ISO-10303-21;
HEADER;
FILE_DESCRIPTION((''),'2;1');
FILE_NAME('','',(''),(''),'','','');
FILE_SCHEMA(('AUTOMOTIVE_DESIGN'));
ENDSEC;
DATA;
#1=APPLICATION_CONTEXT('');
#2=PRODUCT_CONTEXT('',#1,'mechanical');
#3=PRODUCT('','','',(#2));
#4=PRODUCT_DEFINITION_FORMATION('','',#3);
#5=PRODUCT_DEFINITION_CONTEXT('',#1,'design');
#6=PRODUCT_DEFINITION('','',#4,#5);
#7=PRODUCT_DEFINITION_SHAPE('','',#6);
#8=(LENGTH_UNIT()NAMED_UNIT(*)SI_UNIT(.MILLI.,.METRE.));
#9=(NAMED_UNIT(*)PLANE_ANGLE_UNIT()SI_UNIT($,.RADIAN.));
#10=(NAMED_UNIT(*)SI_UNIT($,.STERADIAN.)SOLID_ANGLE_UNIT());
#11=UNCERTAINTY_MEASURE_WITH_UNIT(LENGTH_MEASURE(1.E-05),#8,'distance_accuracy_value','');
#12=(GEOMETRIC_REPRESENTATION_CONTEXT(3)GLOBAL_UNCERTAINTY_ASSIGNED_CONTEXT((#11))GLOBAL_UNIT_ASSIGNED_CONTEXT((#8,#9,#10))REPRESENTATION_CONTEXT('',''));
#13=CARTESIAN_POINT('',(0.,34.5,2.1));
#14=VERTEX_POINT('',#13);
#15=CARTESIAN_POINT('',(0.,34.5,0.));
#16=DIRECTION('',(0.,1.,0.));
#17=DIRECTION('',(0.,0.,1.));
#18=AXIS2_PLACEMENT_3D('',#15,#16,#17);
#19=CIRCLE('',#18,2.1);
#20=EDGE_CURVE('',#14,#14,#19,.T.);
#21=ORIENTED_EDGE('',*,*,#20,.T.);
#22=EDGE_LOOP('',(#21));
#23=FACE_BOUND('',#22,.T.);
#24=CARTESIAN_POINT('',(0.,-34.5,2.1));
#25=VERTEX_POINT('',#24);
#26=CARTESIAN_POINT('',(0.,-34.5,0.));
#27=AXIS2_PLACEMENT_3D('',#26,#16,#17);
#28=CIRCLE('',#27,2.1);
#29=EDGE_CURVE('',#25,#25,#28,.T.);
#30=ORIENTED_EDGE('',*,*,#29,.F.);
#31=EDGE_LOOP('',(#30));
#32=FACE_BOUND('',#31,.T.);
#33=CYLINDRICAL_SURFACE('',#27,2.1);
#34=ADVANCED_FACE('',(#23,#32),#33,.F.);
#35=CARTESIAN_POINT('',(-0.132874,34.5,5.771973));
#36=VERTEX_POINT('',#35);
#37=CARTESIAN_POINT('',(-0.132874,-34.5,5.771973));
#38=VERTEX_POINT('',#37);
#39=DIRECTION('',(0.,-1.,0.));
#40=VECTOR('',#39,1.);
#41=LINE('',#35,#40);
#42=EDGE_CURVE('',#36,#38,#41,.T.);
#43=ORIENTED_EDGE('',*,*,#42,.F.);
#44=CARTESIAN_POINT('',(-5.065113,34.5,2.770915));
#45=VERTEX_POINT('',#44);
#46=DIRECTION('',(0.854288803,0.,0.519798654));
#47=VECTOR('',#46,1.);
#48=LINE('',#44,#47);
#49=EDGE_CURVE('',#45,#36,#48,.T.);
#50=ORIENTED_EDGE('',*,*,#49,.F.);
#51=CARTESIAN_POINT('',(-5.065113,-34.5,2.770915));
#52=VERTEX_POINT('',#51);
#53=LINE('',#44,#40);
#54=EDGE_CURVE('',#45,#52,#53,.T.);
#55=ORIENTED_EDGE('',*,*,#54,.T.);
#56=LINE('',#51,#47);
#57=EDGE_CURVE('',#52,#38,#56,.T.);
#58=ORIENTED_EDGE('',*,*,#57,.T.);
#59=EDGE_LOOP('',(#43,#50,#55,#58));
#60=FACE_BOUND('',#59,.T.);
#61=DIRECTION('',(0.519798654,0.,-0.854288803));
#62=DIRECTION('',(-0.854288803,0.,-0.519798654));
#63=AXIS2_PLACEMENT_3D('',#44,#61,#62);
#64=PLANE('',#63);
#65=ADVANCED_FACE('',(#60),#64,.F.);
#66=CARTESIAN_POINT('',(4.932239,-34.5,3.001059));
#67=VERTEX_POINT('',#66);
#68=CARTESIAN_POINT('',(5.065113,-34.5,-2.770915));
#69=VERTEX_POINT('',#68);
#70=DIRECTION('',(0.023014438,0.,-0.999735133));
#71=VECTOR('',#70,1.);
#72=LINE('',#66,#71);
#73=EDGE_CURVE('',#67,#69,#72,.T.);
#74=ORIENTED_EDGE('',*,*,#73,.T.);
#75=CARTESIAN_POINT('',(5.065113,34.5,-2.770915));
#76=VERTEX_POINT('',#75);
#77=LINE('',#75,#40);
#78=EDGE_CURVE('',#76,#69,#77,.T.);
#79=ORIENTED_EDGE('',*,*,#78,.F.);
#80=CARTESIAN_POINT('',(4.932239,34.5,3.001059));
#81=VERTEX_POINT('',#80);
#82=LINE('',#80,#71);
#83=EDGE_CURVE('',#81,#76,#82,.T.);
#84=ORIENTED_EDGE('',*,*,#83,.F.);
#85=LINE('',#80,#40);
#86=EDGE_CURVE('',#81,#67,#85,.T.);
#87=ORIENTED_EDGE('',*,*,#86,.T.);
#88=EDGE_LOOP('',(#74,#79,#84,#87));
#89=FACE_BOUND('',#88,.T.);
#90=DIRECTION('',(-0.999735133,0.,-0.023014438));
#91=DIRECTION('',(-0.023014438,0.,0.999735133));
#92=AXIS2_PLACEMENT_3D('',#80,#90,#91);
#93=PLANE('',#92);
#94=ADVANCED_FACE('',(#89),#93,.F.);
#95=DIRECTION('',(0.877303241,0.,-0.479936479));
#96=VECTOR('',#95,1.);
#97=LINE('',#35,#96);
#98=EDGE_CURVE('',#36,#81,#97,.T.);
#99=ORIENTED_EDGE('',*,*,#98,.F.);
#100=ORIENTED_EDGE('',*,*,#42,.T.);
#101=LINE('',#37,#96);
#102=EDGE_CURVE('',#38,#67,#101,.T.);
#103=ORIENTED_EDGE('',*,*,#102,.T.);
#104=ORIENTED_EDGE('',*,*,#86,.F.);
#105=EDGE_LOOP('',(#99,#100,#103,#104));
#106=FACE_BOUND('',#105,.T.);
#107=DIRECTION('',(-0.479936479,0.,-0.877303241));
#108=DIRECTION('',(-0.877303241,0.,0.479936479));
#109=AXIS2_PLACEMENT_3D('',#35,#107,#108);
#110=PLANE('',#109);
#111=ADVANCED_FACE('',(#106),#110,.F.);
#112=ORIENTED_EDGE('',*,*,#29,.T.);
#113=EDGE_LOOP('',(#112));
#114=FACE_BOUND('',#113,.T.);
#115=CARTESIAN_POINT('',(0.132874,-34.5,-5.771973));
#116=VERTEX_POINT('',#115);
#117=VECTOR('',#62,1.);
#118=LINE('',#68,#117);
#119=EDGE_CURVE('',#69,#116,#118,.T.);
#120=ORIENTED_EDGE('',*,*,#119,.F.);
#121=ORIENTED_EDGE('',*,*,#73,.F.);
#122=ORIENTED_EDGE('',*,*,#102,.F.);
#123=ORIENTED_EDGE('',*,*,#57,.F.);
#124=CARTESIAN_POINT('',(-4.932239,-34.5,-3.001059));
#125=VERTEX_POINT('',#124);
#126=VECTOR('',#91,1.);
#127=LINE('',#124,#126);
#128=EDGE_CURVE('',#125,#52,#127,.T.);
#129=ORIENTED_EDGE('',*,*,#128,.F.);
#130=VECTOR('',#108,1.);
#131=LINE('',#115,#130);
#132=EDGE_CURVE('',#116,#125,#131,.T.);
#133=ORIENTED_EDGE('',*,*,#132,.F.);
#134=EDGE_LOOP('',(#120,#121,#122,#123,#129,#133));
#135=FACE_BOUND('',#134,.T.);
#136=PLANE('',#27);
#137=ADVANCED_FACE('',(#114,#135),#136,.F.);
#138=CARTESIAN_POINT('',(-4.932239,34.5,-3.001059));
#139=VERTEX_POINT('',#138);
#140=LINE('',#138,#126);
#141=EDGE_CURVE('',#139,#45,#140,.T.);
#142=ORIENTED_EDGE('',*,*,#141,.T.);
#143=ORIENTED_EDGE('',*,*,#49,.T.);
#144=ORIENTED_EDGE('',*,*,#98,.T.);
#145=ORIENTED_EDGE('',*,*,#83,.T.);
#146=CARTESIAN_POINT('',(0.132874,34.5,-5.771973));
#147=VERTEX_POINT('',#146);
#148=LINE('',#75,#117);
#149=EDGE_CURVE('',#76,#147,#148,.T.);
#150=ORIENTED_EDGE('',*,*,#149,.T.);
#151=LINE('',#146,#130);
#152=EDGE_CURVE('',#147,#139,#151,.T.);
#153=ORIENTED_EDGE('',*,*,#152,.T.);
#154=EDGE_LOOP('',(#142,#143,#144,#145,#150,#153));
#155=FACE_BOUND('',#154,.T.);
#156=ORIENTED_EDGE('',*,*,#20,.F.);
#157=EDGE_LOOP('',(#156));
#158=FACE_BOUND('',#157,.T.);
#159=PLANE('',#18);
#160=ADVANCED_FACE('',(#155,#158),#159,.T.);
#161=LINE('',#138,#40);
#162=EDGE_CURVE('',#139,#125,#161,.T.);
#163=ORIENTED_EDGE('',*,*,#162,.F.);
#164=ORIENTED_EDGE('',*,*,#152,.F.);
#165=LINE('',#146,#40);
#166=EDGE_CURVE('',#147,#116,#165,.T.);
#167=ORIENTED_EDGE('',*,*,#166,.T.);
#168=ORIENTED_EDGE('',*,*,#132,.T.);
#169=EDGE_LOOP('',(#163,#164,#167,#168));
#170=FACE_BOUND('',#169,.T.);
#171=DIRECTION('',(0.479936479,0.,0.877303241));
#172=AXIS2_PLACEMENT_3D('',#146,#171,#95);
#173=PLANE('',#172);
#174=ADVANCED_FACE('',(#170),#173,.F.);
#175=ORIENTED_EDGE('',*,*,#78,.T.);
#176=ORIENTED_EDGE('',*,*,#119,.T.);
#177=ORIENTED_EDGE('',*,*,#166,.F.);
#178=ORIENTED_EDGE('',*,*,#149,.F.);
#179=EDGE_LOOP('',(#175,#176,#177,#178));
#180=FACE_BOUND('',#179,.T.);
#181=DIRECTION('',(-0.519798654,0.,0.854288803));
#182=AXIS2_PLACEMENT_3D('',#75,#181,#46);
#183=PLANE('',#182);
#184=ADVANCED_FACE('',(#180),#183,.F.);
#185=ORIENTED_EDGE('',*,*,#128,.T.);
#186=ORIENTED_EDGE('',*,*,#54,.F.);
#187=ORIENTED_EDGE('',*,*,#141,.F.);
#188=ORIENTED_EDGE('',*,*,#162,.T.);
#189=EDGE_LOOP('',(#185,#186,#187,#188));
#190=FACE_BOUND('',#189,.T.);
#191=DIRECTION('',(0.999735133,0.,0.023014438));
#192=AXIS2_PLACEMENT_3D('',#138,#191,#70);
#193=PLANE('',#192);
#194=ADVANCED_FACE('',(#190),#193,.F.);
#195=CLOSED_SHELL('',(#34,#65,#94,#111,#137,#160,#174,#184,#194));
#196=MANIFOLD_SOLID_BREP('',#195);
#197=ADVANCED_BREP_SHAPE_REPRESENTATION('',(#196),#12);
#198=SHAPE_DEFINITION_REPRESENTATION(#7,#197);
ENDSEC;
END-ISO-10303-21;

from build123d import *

# Parameters (mm, degrees)
BOSS_EXTRUDE1_DEPTH = 34.5
CUT_EXTRUDE1_START  = 41.5
SKETCH1_3_R         = 2.1
CUT_EXTRUDE1_DEPTH  = 77.844321237


with BuildPart() as part:
    # Sketch1 → Boss-Extrude1 (new, symmetric)
    with BuildSketch(Plane(origin=(0, 0, 0), x_dir=(1, 0, 0), z_dir=(0, 1, 0))):
        Polygon((5.065112622, 2.770914552), (0.132873917, 5.77197348), (-4.932238705, 3.001058928), (-5.065112622, -2.770914552), (-0.132873917, -5.77197348), (4.932238705, -3.001058928), align=None)
    extrude(amount=BOSS_EXTRUDE1_DEPTH, both=True)

    # Sketch1<3> → Cut-Extrude1 (cut, through all)
    with BuildSketch(Plane(origin=(0, 0, 0), x_dir=(1, 0, 0), z_dir=(0, 1, 0)).offset(CUT_EXTRUDE1_START)):
        Circle(SKETCH1_3_R)
    extrude(amount=-CUT_EXTRUDE1_DEPTH, mode=Mode.SUBTRACT)


solid = part.part
